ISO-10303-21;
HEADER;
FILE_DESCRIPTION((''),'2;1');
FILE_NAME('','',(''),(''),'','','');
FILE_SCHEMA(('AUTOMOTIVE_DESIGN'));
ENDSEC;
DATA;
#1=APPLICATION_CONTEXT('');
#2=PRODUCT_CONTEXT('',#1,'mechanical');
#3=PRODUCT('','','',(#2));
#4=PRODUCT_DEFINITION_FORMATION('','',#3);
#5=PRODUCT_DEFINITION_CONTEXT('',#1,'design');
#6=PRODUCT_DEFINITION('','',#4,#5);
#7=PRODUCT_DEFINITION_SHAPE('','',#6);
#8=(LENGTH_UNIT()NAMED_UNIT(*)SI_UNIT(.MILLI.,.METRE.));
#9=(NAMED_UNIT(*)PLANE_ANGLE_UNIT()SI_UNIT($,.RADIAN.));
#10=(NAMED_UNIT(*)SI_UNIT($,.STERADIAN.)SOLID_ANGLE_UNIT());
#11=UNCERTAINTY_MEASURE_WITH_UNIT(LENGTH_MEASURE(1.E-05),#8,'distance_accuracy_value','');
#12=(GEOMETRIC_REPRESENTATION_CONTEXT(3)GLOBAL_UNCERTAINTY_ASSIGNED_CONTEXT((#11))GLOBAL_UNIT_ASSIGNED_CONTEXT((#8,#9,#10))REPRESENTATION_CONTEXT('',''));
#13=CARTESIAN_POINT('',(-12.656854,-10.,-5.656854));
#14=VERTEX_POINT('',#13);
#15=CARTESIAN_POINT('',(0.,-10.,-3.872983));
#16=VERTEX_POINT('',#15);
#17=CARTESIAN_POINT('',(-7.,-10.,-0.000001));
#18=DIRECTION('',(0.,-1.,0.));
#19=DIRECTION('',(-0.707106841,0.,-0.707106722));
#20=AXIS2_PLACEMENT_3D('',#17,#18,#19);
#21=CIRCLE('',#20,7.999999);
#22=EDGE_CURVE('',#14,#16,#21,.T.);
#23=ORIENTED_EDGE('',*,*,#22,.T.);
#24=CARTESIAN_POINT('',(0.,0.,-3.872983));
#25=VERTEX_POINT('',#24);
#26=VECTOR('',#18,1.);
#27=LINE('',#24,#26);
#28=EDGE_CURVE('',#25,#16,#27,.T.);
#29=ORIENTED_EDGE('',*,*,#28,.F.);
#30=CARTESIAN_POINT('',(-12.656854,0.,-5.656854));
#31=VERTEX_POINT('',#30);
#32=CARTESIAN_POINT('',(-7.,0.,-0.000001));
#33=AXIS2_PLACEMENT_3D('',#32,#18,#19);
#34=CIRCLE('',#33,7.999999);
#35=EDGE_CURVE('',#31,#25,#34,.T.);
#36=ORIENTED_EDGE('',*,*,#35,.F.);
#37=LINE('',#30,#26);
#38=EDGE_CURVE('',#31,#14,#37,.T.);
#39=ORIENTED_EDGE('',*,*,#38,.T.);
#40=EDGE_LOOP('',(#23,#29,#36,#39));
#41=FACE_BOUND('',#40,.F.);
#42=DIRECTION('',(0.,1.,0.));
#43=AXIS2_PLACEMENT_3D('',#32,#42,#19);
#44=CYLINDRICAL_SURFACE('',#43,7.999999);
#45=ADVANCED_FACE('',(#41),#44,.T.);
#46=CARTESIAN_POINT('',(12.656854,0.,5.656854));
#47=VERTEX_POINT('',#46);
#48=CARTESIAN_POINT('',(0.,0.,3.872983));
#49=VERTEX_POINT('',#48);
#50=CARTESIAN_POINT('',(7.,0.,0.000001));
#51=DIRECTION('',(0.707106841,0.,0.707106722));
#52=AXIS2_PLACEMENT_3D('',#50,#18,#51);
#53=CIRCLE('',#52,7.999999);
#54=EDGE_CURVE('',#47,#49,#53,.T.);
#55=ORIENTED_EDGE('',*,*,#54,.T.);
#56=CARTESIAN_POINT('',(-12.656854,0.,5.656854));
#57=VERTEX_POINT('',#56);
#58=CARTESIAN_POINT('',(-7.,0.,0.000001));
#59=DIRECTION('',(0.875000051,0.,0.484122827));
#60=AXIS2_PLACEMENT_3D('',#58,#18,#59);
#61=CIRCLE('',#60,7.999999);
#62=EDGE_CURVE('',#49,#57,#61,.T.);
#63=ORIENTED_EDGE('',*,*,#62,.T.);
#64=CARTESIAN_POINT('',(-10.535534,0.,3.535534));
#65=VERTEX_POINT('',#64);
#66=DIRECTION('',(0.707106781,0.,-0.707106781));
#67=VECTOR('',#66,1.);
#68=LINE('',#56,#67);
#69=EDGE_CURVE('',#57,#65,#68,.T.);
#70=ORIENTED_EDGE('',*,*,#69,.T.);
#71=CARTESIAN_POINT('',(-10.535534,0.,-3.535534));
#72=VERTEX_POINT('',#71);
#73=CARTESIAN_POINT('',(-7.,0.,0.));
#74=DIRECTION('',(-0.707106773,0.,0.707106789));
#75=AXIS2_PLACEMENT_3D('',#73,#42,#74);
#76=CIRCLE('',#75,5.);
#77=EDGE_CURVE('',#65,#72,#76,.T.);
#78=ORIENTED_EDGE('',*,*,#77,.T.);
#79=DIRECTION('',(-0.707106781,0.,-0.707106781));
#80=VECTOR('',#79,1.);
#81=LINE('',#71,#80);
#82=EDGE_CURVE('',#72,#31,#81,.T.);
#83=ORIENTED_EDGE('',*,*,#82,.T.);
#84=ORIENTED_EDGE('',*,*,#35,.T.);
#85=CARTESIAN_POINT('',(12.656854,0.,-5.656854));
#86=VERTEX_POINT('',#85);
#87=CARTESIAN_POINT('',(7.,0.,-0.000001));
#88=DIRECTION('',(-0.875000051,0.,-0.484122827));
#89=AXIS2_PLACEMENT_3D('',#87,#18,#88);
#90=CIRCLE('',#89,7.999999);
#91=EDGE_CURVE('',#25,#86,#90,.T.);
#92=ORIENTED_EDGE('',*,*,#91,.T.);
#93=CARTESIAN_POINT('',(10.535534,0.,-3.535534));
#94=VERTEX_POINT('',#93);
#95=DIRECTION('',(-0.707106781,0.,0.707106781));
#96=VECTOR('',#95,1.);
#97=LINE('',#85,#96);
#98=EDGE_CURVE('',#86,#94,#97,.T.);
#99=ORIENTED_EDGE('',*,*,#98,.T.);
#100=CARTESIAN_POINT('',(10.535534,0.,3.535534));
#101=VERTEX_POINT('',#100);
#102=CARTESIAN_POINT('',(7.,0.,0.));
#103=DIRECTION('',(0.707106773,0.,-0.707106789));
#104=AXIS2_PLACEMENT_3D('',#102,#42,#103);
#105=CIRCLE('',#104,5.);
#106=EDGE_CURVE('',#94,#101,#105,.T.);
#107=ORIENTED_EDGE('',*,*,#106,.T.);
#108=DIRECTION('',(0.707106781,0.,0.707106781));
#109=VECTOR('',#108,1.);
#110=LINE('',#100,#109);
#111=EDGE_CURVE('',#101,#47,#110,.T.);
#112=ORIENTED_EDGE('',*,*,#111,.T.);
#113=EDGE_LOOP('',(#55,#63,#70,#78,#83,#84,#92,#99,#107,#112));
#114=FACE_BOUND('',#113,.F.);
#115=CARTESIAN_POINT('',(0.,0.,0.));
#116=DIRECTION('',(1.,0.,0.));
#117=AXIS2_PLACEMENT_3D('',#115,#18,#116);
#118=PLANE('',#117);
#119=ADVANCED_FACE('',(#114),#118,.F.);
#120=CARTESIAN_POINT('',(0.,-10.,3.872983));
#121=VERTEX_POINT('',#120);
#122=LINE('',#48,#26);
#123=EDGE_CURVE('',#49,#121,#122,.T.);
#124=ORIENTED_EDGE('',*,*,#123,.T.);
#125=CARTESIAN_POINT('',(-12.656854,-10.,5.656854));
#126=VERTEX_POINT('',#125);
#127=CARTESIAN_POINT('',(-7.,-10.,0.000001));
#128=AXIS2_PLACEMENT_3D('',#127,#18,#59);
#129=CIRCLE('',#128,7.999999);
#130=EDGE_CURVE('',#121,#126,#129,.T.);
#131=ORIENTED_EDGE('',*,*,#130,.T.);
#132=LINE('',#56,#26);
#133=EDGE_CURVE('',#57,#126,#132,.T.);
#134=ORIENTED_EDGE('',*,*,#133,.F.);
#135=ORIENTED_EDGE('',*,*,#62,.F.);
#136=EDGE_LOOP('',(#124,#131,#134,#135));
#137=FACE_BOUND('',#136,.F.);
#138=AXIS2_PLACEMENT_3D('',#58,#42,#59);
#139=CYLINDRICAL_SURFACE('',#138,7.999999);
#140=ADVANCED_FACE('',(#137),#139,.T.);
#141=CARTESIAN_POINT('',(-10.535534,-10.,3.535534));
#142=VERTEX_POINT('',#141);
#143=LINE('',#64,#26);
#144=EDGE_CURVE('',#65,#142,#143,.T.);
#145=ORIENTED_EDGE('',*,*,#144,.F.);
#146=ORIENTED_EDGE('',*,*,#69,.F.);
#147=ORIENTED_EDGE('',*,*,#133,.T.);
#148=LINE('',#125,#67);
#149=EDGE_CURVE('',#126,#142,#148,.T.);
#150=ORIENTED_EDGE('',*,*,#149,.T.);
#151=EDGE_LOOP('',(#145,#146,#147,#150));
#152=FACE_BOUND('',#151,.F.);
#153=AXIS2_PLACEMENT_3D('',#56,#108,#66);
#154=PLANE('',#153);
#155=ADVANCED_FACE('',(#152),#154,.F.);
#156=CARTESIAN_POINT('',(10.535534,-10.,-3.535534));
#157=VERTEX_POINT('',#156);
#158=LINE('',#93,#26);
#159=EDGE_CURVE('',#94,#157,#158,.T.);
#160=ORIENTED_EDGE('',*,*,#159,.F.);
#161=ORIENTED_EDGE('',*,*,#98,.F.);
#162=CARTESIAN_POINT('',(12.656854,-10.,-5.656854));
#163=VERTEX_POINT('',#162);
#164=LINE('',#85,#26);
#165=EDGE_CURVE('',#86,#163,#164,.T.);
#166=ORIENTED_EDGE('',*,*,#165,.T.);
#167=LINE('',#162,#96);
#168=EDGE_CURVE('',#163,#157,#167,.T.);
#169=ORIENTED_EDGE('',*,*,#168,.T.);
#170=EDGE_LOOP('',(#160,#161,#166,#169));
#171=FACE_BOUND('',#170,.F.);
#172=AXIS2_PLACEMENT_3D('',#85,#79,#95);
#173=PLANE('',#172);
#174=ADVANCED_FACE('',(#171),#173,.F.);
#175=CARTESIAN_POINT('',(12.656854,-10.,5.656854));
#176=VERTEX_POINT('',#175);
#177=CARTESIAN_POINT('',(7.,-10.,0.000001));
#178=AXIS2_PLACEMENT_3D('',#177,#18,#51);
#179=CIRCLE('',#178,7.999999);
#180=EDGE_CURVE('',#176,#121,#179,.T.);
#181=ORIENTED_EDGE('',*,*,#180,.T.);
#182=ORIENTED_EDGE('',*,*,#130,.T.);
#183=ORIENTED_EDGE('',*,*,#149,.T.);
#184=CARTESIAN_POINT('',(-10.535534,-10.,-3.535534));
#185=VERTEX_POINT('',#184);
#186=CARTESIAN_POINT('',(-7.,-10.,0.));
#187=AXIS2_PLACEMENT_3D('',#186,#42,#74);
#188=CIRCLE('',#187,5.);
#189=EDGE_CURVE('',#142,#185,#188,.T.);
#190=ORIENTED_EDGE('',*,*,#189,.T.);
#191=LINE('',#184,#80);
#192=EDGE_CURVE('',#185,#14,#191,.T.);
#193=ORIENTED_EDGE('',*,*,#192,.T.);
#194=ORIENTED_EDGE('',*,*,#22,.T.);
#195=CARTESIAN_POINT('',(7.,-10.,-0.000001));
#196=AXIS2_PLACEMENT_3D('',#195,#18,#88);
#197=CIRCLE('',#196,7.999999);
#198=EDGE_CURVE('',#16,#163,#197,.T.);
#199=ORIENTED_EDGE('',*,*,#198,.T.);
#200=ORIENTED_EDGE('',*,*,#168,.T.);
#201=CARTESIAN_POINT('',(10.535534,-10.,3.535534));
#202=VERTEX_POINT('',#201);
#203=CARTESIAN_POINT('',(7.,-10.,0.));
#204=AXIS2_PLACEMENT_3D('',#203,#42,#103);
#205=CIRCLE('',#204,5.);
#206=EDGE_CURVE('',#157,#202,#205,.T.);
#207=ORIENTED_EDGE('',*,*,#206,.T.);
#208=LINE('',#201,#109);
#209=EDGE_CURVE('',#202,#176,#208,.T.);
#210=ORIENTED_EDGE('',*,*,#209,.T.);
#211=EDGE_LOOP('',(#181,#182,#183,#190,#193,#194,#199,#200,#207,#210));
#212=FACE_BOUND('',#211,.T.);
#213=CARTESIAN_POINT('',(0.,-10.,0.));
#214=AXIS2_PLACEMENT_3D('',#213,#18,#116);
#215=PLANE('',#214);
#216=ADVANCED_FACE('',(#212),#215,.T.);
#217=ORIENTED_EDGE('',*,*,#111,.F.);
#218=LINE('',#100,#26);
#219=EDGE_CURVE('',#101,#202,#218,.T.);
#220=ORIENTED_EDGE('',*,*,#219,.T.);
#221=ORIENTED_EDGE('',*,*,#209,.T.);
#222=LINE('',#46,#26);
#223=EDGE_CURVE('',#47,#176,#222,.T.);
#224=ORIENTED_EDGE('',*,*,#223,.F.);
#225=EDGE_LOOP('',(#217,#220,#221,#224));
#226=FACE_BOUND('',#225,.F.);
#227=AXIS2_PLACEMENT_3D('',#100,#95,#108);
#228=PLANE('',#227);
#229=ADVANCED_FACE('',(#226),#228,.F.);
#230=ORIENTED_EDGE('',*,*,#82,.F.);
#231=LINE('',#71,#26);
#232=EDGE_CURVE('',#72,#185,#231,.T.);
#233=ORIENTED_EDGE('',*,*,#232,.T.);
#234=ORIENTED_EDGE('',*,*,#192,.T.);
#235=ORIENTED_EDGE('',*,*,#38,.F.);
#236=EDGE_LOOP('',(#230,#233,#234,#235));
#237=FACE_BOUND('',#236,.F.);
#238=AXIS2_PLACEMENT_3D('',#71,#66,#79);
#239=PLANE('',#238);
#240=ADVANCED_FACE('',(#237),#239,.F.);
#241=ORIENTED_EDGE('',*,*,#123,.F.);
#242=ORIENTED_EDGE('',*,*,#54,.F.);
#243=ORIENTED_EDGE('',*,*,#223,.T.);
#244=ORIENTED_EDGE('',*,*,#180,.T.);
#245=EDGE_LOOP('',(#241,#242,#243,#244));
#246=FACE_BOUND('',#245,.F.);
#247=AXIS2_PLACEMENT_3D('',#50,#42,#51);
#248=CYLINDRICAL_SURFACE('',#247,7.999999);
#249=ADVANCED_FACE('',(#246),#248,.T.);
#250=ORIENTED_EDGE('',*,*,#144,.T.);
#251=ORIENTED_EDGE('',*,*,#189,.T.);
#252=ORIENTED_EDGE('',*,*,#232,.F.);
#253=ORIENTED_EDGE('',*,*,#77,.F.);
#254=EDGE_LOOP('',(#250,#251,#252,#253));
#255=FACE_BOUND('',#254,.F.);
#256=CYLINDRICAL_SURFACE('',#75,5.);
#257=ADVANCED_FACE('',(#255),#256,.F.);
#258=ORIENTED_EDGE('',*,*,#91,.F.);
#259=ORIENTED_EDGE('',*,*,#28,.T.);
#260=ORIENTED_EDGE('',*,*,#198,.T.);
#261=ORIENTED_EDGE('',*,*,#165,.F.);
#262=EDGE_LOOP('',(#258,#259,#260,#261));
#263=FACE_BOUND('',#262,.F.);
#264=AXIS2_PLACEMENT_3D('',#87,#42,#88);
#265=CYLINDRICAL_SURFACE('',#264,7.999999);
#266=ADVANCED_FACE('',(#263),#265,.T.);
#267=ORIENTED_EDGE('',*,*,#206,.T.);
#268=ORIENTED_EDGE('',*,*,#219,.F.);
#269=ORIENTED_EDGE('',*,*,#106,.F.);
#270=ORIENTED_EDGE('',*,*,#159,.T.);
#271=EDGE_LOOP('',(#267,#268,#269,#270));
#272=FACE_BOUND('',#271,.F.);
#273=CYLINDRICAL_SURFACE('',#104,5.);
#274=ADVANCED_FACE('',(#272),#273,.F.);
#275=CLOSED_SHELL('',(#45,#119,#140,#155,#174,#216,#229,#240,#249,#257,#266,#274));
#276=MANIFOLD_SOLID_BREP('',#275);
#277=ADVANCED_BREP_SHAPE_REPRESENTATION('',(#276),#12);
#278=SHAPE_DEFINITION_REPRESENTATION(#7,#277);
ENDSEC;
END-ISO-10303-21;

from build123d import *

# Parameters (mm, degrees)
F1_DEPTH = 10


with BuildPart() as f1:
    # F0 (on Front) → F1 (new body)
    with BuildSketch(Plane.XZ):
        with BuildLine():
            ThreePointArc((-10.535534, 3.535534), (-2, 0), (-10.535534, -3.535534))
            Line((-10.535534, -3.535534), (-12.656854, -5.656854))
            ThreePointArc((-12.656854, -5.656854), (-5.883506, -7.921707), (0, -3.872983))
            ThreePointArc((0, -3.872983), (5.883506, -7.921707), (12.656854, -5.656854))
            Line((12.656854, -5.656854), (10.535534, -3.535534))
            ThreePointArc((10.535534, -3.535534), (2, 0), (10.535534, 3.535534))
            Line((10.535534, 3.535534), (12.656854, 5.656854))
            ThreePointArc((12.656854, 5.656854), (5.883506, 7.921707), (0, 3.872983))
            ThreePointArc((0, 3.872983), (-5.883506, 7.921707), (-12.656854, 5.656854))
            Line((-12.656854, 5.656854), (-10.535534, 3.535534))
        make_face()
    extrude(amount=F1_DEPTH)


solid = f1.part
